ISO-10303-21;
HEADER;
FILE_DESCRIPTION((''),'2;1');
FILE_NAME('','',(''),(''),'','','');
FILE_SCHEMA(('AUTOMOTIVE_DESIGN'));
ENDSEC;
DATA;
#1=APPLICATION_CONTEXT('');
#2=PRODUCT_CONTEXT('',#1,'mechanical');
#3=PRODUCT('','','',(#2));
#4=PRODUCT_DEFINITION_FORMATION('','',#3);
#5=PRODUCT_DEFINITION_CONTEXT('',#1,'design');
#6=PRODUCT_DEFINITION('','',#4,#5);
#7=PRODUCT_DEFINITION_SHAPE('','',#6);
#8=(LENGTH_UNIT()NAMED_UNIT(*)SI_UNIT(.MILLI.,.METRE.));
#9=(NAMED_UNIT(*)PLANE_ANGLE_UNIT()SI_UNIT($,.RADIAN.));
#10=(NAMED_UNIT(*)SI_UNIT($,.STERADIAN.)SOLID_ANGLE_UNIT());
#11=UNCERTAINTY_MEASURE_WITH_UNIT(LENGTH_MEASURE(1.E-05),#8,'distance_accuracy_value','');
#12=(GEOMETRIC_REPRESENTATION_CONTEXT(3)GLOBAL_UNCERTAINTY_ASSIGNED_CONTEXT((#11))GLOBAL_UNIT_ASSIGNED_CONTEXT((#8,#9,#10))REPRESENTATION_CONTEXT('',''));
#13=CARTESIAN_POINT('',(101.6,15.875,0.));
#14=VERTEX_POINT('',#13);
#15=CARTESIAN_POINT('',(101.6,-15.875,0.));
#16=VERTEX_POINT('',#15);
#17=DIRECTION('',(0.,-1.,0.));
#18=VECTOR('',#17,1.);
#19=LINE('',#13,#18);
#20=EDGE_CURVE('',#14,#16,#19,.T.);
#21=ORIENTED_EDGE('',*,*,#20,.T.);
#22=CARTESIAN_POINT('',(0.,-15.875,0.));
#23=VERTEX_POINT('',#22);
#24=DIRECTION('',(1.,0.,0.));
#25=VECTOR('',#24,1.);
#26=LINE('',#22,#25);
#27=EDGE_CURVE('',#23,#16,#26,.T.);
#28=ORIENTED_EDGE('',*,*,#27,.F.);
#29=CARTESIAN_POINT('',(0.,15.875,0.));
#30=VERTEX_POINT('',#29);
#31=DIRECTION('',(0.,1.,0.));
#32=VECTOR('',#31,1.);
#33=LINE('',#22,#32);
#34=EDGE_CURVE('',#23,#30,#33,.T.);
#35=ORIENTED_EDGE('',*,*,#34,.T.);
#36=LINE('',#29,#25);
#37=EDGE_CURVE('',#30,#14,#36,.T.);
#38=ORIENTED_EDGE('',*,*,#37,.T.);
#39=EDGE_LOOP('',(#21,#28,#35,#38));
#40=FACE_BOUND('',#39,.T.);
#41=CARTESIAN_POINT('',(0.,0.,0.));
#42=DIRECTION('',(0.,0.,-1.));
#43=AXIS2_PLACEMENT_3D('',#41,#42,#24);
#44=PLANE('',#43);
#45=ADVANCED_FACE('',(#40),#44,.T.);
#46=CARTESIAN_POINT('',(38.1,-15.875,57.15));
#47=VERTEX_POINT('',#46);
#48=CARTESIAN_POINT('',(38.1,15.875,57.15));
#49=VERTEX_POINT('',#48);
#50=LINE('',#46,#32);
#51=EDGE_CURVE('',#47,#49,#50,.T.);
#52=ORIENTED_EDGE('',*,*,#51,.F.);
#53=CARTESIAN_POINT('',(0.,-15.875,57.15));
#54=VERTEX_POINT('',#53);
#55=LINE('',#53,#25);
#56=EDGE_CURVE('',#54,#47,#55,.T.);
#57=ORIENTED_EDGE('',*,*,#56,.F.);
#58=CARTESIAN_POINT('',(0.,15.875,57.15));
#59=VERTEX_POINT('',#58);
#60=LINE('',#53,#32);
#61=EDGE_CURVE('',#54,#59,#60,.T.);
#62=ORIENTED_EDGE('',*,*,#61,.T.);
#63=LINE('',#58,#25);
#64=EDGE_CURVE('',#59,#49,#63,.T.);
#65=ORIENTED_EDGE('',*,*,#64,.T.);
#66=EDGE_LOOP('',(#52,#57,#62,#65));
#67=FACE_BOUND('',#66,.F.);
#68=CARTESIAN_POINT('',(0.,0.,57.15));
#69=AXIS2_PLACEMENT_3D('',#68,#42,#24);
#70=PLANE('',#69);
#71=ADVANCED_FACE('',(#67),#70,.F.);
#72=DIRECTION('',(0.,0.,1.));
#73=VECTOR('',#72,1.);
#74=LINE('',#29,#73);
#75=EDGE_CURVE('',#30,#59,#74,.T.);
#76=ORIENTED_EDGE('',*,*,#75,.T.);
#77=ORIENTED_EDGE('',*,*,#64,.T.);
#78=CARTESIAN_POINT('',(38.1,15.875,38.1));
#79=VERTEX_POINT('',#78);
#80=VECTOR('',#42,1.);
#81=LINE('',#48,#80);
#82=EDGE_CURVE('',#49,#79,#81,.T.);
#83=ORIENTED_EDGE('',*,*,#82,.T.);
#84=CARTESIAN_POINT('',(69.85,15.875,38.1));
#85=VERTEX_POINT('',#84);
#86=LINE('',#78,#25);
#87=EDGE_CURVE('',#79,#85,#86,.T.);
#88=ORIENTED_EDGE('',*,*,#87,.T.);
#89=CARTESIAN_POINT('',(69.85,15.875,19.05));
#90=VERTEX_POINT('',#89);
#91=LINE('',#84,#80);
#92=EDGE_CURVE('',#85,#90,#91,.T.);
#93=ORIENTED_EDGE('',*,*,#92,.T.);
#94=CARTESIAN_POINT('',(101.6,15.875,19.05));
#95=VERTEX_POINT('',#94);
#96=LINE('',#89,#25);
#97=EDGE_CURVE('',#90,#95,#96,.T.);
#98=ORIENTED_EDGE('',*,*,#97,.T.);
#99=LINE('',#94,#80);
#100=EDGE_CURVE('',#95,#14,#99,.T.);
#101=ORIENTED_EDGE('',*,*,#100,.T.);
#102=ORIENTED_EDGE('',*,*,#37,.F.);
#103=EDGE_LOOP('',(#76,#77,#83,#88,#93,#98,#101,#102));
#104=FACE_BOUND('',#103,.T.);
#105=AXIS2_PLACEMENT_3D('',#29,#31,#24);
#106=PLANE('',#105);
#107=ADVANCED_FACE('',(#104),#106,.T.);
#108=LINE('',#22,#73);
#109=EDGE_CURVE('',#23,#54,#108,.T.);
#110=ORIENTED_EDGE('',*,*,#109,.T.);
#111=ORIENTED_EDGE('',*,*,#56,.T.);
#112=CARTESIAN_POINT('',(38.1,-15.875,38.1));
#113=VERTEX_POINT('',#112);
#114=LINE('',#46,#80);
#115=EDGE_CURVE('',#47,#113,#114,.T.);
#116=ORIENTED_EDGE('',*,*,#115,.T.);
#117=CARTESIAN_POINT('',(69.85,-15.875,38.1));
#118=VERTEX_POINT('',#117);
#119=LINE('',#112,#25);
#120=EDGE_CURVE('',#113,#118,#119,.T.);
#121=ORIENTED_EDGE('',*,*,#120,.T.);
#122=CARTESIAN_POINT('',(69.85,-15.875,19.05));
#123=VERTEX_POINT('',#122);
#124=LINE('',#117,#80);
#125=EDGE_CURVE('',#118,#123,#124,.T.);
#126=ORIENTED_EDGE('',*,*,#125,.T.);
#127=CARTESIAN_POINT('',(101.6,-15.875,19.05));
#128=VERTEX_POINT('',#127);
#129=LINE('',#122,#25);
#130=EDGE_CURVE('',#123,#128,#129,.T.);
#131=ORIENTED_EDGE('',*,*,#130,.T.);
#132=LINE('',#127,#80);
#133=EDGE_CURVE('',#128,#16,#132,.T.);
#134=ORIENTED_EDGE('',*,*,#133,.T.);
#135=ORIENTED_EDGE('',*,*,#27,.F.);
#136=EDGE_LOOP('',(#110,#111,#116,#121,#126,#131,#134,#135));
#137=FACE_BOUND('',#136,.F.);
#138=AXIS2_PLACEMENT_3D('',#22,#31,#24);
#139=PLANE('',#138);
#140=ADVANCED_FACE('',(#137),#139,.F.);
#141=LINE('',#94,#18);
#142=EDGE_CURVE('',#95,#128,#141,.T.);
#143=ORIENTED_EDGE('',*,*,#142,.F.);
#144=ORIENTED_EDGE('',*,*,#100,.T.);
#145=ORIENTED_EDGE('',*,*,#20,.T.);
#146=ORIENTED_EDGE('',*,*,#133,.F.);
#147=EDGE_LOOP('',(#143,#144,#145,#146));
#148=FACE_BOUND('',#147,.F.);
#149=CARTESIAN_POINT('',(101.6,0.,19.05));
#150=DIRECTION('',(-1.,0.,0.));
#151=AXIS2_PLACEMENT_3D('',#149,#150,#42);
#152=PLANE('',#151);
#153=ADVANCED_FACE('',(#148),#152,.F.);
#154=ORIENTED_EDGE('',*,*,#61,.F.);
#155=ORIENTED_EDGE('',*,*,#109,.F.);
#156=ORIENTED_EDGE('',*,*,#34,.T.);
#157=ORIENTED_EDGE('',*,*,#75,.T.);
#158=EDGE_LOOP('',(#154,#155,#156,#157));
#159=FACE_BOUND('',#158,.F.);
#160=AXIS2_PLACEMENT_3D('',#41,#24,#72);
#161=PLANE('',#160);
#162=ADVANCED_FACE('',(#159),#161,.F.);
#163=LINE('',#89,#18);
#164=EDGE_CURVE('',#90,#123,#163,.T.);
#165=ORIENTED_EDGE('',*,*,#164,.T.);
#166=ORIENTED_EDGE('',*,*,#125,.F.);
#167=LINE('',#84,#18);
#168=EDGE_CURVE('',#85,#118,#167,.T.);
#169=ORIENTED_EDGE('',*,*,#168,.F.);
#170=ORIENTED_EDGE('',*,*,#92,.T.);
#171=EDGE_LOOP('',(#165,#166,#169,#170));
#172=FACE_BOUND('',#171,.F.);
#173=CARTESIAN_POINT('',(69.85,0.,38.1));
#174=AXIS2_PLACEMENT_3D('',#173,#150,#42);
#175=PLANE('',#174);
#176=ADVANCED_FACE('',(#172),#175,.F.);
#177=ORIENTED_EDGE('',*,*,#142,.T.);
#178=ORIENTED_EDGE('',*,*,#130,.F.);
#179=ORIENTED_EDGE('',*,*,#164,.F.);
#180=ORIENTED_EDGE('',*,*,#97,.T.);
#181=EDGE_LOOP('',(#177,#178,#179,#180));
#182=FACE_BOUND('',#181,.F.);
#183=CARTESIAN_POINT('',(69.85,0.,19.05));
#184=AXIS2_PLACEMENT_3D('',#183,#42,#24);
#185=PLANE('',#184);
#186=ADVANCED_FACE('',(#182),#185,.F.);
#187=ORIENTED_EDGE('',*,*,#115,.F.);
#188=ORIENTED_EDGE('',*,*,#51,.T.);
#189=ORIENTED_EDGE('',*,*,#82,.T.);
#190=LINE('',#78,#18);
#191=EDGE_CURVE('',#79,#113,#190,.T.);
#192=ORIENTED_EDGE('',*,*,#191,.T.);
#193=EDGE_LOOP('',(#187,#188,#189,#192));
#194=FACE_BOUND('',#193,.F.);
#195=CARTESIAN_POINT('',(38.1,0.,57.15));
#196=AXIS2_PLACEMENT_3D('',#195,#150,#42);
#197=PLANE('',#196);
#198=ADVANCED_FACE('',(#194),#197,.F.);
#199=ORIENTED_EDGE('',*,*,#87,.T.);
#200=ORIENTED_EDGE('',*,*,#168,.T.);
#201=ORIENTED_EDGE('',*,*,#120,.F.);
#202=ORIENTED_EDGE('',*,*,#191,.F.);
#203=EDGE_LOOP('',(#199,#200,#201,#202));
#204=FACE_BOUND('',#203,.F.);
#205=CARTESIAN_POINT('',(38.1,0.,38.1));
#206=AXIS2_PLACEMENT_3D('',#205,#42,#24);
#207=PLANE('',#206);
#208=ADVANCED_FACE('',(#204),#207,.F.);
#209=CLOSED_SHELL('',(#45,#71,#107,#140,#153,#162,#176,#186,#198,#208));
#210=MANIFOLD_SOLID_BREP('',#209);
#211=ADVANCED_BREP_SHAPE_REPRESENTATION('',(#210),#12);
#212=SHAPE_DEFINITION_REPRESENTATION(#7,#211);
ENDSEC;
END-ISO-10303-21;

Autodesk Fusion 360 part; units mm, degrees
sketch "Sketch1" plane through (0, 0, 0) normal (0, 1, 0) x (1, 0, 0)
  line L0 (0, 0) -> (0, -57.15)
  line L1 (0, 0) -> (101.6, 0)
  line L2 (0, -57.15) -> (38.1, -57.15)
  line L3 (38.1, -57.15) -> (38.1, -38.1)
  line L4 (38.1, -38.1) -> (69.85, -38.1)
  line L5 (69.85, -38.1) -> (69.85, -19.05)
  line L6 (69.85, -19.05) -> (101.6, -19.05)
  line L7 (101.6, -19.05) -> (101.6, 0)
  dimension "d2" = 57.15
  dimension "d3" = 101.6
  dimension "d4" = 38.1
  dimension "d5" = 19.05
  dimension "d6" = 31.75
  dimension "d7" = 19.05
extrude "Extrude1" add sketch "Sketch1" along normal mid plane 31.75
equation "d8 = ( 1.25 / 2 ) * 1 in"
